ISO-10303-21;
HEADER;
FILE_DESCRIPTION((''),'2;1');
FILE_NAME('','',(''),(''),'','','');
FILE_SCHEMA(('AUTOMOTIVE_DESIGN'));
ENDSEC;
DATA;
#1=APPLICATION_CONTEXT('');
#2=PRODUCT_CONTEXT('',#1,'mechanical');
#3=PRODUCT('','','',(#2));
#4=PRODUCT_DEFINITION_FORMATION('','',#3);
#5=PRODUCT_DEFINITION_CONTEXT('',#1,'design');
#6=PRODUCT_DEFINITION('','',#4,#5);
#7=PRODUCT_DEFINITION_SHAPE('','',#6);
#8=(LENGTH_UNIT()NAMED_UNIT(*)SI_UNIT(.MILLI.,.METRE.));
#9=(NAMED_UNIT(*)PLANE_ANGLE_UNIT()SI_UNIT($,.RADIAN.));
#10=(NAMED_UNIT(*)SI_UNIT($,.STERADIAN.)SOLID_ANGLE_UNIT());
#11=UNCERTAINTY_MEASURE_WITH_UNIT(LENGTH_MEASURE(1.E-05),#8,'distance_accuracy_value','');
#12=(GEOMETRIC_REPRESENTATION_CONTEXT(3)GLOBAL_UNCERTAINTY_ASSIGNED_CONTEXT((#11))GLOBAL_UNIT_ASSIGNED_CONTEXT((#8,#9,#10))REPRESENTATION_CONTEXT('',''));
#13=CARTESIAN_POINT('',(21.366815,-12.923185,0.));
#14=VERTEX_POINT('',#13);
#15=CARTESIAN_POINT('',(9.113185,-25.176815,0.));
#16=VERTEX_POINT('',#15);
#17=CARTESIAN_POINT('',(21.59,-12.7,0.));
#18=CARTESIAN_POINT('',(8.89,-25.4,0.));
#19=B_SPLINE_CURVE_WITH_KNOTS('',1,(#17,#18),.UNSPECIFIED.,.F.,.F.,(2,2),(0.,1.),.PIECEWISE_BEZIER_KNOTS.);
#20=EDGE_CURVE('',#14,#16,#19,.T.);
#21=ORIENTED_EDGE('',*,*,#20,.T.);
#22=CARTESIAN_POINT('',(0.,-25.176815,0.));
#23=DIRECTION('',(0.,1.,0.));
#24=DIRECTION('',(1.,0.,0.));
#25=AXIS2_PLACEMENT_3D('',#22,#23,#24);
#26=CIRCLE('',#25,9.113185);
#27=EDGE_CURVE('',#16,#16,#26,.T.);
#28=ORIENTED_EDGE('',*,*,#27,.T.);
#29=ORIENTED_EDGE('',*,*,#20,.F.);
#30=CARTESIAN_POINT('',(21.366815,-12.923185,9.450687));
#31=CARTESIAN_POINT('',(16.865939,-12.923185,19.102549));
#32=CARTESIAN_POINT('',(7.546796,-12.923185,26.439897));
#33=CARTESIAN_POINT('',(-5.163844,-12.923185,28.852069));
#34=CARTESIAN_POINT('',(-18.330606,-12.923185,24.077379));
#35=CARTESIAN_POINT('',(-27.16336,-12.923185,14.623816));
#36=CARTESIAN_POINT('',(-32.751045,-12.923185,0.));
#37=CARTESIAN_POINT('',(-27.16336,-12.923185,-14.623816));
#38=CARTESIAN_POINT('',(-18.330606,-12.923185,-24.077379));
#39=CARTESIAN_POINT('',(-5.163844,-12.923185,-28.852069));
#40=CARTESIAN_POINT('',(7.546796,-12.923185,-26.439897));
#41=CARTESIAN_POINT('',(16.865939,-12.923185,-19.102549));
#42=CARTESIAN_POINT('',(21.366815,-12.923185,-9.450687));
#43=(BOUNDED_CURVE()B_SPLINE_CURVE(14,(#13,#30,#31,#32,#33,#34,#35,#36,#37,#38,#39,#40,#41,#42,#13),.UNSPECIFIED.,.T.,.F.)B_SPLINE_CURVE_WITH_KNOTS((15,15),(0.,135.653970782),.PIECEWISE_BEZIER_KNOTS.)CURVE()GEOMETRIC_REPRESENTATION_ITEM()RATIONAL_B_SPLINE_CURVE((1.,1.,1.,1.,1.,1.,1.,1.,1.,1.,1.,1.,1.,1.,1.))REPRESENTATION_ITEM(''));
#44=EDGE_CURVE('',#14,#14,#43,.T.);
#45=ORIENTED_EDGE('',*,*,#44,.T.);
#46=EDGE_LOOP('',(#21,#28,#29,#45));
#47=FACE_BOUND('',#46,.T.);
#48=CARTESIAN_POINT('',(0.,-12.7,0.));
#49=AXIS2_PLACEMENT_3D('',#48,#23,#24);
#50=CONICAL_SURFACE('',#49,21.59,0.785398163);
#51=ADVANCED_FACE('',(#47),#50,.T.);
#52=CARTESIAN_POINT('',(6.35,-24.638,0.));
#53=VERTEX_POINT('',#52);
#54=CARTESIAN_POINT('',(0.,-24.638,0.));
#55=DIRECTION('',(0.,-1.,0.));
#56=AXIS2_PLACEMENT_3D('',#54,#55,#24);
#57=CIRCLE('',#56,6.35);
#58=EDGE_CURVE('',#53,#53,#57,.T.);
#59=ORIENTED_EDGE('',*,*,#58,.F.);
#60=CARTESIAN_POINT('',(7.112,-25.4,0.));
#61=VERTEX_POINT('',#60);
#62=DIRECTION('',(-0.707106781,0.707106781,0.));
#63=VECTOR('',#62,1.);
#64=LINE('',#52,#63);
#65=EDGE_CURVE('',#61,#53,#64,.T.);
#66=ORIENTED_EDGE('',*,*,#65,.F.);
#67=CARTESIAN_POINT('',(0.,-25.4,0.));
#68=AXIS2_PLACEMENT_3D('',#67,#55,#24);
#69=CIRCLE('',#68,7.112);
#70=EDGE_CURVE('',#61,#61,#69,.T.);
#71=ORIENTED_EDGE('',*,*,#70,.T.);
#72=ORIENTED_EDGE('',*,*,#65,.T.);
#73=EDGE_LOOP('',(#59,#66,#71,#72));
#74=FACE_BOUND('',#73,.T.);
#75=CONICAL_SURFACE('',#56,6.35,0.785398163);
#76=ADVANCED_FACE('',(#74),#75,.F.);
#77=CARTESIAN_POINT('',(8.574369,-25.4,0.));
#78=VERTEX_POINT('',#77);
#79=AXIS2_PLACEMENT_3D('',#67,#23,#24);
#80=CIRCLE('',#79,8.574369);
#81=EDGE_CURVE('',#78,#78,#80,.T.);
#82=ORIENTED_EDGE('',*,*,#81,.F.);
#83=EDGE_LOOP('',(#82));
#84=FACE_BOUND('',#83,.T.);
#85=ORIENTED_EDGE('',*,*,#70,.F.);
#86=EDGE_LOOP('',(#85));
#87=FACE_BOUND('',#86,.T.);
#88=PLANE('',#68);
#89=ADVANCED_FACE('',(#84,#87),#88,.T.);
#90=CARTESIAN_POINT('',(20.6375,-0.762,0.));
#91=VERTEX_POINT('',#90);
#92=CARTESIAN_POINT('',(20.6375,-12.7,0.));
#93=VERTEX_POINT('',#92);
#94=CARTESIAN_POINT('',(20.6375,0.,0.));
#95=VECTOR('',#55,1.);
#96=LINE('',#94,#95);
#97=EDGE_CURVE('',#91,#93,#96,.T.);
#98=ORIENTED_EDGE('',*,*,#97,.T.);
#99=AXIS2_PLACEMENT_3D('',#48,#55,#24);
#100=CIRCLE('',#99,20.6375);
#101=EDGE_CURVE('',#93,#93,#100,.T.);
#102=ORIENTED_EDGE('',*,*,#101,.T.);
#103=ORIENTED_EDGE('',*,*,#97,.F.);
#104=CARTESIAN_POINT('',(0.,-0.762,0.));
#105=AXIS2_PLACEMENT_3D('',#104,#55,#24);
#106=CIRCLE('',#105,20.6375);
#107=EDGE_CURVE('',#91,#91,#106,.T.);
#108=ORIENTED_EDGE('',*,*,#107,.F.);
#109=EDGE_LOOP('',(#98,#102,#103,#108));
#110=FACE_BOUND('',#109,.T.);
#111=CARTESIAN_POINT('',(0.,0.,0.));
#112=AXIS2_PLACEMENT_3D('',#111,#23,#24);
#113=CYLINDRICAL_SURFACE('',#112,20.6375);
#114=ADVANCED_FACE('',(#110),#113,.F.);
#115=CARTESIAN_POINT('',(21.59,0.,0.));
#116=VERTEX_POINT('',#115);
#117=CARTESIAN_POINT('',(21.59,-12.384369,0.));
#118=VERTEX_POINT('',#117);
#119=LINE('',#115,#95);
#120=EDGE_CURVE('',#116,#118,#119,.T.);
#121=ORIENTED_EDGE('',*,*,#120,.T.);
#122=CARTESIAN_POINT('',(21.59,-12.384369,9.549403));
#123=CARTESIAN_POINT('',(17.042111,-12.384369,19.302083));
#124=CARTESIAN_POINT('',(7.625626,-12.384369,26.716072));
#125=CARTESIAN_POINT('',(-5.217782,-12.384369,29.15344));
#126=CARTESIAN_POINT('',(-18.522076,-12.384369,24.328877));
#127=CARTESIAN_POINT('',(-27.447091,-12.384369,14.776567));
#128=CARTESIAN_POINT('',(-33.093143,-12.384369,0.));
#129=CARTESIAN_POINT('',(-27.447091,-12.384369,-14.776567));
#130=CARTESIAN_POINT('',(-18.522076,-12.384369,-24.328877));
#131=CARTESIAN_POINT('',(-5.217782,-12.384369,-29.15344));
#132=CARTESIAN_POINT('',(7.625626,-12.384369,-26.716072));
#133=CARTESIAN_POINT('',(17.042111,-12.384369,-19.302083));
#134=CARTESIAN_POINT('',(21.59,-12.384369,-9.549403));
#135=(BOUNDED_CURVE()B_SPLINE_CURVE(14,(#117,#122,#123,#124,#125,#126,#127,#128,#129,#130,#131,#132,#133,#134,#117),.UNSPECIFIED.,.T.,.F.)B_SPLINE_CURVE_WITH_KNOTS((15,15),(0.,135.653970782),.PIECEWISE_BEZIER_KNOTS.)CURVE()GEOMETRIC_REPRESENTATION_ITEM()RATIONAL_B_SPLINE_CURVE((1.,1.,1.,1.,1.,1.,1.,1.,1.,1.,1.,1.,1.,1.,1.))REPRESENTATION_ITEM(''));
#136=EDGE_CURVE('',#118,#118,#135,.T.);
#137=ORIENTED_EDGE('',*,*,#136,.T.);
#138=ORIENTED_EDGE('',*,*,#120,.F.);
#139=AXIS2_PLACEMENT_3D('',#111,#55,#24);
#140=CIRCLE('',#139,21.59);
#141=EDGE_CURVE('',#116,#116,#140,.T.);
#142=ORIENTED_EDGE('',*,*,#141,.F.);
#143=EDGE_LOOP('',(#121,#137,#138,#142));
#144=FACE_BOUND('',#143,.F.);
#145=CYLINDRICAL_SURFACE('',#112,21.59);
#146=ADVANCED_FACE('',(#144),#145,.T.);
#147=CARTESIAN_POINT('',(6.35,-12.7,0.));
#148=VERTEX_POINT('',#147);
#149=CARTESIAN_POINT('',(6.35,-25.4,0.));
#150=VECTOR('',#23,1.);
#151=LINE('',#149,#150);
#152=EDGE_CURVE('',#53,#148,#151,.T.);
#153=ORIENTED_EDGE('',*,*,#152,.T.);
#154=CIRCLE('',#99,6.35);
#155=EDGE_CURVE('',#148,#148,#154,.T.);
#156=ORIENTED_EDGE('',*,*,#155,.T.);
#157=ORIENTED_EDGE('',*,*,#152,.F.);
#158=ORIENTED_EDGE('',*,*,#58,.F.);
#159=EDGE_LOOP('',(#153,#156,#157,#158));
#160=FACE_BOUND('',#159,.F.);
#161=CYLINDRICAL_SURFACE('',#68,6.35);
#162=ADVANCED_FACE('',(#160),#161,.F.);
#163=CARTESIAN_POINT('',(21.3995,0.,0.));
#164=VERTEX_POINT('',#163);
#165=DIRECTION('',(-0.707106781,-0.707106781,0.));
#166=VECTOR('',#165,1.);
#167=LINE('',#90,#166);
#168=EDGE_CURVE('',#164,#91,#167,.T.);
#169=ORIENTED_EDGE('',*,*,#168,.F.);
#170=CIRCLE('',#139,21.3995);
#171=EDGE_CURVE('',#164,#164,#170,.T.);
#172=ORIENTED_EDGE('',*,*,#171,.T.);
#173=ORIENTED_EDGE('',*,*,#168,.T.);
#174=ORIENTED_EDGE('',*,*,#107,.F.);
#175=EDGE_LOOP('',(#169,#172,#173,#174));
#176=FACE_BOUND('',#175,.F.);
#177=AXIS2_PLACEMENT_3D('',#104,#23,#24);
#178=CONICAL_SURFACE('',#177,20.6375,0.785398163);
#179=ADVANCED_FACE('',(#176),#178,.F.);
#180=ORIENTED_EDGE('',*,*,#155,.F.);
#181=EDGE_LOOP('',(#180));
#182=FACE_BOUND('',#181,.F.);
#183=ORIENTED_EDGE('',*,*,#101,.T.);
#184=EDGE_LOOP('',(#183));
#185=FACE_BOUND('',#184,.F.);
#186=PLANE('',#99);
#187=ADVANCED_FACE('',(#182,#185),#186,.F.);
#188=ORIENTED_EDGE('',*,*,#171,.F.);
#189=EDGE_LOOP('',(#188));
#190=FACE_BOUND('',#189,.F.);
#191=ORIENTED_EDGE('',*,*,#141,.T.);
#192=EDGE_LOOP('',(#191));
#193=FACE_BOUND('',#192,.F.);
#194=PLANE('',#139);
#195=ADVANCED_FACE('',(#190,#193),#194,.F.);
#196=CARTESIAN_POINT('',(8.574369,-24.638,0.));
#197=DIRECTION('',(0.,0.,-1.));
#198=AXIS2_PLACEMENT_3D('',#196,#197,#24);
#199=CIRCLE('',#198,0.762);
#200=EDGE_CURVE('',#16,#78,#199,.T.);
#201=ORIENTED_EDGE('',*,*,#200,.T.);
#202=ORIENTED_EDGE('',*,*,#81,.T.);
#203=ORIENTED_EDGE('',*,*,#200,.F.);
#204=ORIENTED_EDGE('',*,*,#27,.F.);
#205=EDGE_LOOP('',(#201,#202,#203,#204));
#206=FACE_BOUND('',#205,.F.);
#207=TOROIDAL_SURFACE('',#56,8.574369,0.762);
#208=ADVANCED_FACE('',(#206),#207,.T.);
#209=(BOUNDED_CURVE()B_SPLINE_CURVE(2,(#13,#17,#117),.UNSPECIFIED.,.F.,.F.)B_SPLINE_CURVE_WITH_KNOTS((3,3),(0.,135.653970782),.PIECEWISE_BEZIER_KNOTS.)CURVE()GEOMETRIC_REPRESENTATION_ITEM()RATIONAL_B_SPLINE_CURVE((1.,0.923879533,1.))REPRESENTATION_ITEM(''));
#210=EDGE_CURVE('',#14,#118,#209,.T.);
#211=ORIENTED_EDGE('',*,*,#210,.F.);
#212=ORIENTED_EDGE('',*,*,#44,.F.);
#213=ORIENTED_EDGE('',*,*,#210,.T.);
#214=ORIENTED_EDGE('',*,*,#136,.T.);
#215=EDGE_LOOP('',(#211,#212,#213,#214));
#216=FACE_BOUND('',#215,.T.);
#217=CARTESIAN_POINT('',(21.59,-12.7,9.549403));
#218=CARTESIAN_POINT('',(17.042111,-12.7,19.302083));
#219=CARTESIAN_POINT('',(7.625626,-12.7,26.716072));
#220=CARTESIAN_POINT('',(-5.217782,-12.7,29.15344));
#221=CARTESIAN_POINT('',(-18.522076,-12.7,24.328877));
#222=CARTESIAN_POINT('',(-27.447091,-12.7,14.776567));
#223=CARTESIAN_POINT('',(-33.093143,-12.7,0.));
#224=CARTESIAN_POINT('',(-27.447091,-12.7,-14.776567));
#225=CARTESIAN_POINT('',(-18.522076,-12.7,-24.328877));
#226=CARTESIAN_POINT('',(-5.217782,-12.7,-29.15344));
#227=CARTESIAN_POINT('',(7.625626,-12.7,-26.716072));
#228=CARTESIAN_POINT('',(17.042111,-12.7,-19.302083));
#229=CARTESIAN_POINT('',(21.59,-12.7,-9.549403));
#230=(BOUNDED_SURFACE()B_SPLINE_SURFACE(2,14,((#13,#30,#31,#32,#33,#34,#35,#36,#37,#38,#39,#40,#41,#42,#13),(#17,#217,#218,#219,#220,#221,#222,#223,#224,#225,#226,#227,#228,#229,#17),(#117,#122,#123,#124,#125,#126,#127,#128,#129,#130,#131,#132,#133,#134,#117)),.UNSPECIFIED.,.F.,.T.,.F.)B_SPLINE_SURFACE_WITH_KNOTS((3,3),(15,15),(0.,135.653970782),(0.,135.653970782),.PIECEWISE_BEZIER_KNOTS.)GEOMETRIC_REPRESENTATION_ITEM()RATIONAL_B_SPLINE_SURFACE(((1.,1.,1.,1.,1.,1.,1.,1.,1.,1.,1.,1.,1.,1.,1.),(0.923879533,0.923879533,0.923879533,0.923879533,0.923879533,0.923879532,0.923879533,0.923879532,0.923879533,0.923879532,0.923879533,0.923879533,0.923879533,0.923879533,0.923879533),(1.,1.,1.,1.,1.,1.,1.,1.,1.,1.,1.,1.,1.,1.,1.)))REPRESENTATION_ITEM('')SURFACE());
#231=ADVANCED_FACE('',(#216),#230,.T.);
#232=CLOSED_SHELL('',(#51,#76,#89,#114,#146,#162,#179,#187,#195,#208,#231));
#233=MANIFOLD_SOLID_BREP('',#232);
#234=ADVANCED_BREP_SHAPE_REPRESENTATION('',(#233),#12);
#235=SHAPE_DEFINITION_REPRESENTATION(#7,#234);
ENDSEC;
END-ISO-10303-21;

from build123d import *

# Parameters (mm, degrees)
F0_R     = 21.59
F0_R_2   = 20.6375
F1_DEPTH = 12.7
F2_R     = 21.59
F3_DEPTH = 12.7
F3_TAPER = 45
F4_R     = 0.762
F5_R     = 6.35
F6_DEPTH = 25.4
F7_SIZE  = 0.762


with BuildPart() as f1:
    # F0 (on Front) → F1 (new body)
    with BuildSketch(Plane.XZ):
        Circle(F0_R)
        Circle(F0_R_2, mode=Mode.SUBTRACT)
    extrude(amount=F1_DEPTH)

    # F2 (on face) → F3 (join)
    with BuildSketch(Plane.XZ.offset(12.7)):
        Circle(F2_R)
    extrude(amount=F3_DEPTH, taper=F3_TAPER)

    # F4
    f4_edges = [f1.edges().sort_by_distance(p)[0] for p in [
        (-21.59, -12.7, 0),
        (-8.89, -25.4, 0),
    ]]
    fillet(f4_edges, radius=F4_R)

    # F5 (on face) → F6 (cut)
    with BuildSketch(Plane.XZ.offset(25.4)):
        Circle(F5_R)
    extrude(amount=-F6_DEPTH, mode=Mode.SUBTRACT)

    # F7
    f7_edges = [f1.edges().sort_by_distance(p)[0] for p in [
        (-6.35, -25.4, 0),
        (-20.6375, 0, 0),
    ]]
    chamfer(f7_edges, length=F7_SIZE)


solid = f1.part
